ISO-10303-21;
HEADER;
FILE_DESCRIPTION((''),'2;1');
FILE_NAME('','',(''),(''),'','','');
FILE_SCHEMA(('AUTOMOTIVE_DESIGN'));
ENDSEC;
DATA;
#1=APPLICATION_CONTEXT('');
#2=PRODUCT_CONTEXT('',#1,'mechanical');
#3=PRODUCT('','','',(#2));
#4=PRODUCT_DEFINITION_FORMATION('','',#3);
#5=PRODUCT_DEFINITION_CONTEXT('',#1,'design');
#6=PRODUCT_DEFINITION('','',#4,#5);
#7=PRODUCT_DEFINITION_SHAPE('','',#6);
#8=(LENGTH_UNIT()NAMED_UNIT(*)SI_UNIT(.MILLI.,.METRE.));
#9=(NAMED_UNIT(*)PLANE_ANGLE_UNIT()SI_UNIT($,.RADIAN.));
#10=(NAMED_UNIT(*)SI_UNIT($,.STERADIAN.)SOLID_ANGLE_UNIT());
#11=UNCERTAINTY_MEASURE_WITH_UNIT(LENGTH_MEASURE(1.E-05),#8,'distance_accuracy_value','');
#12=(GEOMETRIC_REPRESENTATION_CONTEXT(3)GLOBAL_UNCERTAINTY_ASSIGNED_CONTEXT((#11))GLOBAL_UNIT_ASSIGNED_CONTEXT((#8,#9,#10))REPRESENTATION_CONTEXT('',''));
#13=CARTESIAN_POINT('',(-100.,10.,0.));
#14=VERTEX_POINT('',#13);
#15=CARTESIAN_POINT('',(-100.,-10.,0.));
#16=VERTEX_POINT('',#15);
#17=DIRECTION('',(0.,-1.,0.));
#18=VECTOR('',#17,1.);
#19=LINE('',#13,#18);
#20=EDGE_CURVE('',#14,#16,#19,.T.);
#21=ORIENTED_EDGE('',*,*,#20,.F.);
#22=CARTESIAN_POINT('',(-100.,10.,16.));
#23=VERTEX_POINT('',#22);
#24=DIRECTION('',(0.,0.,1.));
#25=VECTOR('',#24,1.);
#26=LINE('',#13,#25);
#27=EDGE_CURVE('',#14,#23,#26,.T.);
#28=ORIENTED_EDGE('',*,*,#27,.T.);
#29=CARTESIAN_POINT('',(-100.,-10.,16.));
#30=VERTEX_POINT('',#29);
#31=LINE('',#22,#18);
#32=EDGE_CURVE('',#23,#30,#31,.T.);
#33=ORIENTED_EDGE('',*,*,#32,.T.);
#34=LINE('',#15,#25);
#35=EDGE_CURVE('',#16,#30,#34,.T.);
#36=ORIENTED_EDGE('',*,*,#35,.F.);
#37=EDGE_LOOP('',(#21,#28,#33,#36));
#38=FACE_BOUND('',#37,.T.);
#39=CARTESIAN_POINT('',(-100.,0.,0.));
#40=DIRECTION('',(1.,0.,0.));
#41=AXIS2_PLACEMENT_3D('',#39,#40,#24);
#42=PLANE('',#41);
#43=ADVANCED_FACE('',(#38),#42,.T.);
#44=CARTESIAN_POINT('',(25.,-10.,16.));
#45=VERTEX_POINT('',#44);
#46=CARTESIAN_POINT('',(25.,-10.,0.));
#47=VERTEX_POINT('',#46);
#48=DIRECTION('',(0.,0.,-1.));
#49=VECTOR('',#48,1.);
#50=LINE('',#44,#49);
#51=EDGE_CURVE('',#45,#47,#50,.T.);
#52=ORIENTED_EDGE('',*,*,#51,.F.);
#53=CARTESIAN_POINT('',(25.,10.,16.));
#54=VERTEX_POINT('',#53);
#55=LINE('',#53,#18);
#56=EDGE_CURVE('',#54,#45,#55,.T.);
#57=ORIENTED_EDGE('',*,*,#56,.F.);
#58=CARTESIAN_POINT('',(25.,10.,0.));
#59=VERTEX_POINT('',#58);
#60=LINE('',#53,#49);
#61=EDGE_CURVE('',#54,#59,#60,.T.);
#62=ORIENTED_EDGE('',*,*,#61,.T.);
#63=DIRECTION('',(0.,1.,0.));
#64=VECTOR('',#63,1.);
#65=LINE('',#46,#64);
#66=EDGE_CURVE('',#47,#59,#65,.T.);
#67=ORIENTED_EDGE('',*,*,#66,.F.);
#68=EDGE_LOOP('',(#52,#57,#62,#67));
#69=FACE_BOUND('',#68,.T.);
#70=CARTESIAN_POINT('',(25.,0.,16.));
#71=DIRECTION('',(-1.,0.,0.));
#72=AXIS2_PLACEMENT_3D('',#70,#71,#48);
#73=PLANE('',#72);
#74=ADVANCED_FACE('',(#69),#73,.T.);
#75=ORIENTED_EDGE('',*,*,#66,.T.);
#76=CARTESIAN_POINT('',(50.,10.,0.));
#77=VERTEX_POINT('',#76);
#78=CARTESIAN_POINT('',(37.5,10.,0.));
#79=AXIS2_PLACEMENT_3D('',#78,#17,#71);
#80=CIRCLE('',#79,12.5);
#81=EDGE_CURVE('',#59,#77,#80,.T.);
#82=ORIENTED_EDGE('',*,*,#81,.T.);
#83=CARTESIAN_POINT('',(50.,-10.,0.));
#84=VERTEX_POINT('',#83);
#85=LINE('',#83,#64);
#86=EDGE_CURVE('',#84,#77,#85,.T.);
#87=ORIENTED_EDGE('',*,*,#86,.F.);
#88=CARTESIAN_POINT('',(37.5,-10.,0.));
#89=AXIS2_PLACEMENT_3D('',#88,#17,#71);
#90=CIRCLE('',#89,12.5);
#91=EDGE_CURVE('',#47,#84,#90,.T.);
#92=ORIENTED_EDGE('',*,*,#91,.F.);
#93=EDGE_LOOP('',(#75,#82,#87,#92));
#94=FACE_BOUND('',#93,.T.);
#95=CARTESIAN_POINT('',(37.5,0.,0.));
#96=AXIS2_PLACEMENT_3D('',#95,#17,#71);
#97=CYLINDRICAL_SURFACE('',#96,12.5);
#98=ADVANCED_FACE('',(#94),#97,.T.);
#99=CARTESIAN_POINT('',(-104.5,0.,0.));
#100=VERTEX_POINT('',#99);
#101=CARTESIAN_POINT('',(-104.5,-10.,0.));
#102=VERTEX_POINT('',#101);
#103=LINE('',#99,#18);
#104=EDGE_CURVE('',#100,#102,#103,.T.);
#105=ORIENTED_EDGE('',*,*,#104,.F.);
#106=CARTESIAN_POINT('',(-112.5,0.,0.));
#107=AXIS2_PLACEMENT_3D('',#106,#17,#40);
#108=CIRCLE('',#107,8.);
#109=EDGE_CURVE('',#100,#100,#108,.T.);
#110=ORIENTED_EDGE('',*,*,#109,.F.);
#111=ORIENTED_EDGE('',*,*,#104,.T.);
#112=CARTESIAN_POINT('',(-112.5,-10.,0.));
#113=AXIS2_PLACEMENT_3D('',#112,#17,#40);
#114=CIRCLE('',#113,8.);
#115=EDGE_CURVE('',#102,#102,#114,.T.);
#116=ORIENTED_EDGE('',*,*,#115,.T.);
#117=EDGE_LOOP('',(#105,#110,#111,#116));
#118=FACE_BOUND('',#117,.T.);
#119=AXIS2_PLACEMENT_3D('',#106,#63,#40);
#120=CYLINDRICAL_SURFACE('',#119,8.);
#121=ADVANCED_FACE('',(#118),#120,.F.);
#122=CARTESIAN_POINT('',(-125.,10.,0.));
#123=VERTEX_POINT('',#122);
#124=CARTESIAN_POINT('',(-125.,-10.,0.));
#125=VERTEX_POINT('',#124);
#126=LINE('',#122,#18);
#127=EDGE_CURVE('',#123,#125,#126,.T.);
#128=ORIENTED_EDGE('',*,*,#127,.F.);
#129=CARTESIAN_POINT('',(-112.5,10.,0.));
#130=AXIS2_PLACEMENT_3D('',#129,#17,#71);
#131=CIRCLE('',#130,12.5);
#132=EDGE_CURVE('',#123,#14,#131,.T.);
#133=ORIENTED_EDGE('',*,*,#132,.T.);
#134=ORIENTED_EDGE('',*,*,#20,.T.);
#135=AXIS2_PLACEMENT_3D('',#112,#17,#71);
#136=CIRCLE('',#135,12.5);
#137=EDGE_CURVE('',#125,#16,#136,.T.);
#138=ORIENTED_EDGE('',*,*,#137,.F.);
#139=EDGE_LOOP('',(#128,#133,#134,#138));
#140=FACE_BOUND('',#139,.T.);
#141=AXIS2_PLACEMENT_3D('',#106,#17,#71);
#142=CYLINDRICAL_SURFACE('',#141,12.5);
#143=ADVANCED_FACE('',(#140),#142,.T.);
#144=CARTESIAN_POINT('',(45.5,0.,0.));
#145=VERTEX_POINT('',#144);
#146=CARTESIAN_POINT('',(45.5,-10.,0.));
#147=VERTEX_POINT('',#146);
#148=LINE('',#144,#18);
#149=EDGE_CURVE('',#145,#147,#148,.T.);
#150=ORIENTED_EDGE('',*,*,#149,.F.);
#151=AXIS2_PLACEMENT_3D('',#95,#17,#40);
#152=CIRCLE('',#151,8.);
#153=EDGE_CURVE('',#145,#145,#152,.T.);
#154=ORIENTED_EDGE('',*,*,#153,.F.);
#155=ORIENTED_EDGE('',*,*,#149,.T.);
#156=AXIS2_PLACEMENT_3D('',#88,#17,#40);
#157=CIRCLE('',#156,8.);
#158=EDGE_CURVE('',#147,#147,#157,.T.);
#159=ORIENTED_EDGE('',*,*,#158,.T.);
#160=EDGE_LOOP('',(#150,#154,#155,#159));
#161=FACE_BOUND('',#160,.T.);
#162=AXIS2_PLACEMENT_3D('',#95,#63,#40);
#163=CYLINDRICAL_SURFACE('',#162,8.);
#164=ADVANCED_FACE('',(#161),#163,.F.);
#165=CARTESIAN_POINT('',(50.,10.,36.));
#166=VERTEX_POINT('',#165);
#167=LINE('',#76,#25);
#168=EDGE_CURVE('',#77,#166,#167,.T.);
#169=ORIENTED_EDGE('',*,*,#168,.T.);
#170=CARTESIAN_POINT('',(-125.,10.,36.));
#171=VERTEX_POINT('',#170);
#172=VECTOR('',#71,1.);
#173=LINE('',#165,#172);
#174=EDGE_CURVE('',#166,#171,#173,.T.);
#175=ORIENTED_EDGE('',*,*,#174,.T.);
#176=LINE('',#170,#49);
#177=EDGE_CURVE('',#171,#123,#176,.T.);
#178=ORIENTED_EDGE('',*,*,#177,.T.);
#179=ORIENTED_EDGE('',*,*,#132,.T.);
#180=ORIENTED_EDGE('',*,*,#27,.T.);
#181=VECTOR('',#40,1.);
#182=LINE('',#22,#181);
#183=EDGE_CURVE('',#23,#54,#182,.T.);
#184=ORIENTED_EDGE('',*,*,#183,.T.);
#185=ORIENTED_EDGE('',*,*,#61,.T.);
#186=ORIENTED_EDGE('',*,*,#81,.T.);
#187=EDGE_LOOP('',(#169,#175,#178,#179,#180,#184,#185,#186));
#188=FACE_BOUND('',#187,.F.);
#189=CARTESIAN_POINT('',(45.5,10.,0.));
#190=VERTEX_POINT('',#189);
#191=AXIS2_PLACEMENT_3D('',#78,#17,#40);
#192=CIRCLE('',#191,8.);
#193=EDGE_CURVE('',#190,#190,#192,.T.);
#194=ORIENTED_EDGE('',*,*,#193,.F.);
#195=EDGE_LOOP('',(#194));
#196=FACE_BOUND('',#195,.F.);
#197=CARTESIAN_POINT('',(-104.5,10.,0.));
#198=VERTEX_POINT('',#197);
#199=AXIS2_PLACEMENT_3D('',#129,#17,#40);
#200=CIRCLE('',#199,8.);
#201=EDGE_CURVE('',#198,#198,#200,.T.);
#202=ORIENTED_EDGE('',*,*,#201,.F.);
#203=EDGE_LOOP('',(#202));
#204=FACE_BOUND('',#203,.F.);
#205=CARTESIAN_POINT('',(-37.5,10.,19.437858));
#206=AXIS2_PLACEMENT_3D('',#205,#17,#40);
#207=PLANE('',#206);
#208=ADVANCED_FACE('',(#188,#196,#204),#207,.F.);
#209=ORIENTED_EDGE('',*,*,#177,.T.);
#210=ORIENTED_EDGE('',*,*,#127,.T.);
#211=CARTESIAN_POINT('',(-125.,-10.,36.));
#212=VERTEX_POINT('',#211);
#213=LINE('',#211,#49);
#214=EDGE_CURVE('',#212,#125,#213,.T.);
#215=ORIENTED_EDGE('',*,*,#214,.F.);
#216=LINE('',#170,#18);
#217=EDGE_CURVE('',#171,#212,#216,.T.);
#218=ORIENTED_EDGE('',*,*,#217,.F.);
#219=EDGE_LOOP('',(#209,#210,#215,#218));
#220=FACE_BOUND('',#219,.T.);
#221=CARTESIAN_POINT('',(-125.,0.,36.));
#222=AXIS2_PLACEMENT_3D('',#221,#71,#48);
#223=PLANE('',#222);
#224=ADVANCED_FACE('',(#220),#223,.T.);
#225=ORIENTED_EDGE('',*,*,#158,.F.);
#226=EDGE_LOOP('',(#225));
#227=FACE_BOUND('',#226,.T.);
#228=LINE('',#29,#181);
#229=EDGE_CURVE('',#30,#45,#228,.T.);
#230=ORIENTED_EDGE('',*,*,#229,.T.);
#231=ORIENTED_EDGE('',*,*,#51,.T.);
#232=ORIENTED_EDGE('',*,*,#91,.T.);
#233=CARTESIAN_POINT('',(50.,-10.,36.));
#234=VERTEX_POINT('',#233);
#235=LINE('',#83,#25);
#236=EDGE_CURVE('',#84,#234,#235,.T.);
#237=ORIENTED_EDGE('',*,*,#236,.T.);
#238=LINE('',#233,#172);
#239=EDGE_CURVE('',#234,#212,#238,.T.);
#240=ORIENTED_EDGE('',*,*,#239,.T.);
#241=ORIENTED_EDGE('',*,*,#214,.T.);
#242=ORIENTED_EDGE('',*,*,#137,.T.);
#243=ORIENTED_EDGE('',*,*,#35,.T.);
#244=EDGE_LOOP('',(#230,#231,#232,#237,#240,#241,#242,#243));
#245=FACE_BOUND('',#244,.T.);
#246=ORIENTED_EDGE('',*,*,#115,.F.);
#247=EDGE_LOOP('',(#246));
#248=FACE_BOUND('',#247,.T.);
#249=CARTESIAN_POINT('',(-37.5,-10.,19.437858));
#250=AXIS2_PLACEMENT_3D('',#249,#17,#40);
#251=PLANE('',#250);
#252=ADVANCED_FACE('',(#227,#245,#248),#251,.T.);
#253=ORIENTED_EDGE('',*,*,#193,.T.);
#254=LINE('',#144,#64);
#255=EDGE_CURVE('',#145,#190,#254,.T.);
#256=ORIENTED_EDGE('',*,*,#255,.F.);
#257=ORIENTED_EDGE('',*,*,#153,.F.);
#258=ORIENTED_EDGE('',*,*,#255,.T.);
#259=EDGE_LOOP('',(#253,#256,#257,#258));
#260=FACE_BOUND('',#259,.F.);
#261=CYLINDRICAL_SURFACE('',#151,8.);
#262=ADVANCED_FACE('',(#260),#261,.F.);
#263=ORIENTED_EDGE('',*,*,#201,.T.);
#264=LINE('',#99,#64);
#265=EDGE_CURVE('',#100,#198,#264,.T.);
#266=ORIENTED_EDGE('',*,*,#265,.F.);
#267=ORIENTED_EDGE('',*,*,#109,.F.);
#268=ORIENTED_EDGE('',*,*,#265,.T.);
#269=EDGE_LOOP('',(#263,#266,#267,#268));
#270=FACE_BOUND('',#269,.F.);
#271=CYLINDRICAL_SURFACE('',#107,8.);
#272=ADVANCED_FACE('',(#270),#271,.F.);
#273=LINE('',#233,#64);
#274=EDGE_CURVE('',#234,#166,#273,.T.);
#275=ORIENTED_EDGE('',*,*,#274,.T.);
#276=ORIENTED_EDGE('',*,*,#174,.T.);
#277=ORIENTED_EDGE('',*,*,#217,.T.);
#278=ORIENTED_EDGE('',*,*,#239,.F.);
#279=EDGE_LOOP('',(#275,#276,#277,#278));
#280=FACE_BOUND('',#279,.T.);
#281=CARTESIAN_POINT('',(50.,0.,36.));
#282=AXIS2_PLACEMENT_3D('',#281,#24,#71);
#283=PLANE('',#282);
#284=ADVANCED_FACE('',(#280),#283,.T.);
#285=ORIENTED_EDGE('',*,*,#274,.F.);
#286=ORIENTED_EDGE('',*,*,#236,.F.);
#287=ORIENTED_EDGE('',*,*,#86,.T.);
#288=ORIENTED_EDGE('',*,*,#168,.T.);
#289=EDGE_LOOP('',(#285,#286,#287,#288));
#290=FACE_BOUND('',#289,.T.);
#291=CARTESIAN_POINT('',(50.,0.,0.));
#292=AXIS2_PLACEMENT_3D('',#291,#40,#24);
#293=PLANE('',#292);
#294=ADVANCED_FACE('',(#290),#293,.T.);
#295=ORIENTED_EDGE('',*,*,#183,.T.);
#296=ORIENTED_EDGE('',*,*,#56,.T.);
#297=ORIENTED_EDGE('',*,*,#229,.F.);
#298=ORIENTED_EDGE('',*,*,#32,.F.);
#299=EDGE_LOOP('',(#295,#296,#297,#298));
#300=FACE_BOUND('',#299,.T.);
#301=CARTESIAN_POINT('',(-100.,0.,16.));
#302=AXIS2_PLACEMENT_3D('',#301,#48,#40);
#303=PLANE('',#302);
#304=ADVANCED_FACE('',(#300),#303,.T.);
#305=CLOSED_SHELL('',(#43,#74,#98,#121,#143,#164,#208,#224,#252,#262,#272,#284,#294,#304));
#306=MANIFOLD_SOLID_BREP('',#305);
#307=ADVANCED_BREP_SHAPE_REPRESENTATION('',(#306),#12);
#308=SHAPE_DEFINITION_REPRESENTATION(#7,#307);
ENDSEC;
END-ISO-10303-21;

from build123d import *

# Parameters (mm, degrees)
F1_DEPTH      = 10
F1_DEPTH_BACK = 10
F2_R          = 8
F3_DEPTH      = 10
F3_DEPTH_BACK = 10


with BuildPart() as f1:
    # F0 (on Front) → F1 (new body, two sides)
    with BuildSketch(Plane.XZ) as f1_sk:
        with BuildLine():
            Line((50, 36), (-125, 36))
            Line((-125, 36), (-125, 0))
            ThreePointArc((-125, 0), (-112.5, -12.5), (-100, 0))
            Line((-100, 0), (-100, 16))
            Line((-100, 16), (25, 16))
            Line((25, 16), (25, 0))
            ThreePointArc((25, 0), (37.5, -12.5), (50, 0))
            Line((50, 0), (50, 36))
        make_face()
    extrude(amount=F1_DEPTH)
    extrude(f1_sk.sketch, amount=-F1_DEPTH_BACK)

    # F2 (on Front) → F3 (cut, two sides)
    with BuildSketch(Plane.XZ) as f3_sk:
        with Locations((-112.5, 0)):
            Circle(F2_R)
        with Locations((37.5, 0)):
            Circle(F2_R)
    extrude(amount=F3_DEPTH, mode=Mode.SUBTRACT)
    extrude(f3_sk.sketch, amount=-F3_DEPTH_BACK, mode=Mode.SUBTRACT)


solid = f1.part
